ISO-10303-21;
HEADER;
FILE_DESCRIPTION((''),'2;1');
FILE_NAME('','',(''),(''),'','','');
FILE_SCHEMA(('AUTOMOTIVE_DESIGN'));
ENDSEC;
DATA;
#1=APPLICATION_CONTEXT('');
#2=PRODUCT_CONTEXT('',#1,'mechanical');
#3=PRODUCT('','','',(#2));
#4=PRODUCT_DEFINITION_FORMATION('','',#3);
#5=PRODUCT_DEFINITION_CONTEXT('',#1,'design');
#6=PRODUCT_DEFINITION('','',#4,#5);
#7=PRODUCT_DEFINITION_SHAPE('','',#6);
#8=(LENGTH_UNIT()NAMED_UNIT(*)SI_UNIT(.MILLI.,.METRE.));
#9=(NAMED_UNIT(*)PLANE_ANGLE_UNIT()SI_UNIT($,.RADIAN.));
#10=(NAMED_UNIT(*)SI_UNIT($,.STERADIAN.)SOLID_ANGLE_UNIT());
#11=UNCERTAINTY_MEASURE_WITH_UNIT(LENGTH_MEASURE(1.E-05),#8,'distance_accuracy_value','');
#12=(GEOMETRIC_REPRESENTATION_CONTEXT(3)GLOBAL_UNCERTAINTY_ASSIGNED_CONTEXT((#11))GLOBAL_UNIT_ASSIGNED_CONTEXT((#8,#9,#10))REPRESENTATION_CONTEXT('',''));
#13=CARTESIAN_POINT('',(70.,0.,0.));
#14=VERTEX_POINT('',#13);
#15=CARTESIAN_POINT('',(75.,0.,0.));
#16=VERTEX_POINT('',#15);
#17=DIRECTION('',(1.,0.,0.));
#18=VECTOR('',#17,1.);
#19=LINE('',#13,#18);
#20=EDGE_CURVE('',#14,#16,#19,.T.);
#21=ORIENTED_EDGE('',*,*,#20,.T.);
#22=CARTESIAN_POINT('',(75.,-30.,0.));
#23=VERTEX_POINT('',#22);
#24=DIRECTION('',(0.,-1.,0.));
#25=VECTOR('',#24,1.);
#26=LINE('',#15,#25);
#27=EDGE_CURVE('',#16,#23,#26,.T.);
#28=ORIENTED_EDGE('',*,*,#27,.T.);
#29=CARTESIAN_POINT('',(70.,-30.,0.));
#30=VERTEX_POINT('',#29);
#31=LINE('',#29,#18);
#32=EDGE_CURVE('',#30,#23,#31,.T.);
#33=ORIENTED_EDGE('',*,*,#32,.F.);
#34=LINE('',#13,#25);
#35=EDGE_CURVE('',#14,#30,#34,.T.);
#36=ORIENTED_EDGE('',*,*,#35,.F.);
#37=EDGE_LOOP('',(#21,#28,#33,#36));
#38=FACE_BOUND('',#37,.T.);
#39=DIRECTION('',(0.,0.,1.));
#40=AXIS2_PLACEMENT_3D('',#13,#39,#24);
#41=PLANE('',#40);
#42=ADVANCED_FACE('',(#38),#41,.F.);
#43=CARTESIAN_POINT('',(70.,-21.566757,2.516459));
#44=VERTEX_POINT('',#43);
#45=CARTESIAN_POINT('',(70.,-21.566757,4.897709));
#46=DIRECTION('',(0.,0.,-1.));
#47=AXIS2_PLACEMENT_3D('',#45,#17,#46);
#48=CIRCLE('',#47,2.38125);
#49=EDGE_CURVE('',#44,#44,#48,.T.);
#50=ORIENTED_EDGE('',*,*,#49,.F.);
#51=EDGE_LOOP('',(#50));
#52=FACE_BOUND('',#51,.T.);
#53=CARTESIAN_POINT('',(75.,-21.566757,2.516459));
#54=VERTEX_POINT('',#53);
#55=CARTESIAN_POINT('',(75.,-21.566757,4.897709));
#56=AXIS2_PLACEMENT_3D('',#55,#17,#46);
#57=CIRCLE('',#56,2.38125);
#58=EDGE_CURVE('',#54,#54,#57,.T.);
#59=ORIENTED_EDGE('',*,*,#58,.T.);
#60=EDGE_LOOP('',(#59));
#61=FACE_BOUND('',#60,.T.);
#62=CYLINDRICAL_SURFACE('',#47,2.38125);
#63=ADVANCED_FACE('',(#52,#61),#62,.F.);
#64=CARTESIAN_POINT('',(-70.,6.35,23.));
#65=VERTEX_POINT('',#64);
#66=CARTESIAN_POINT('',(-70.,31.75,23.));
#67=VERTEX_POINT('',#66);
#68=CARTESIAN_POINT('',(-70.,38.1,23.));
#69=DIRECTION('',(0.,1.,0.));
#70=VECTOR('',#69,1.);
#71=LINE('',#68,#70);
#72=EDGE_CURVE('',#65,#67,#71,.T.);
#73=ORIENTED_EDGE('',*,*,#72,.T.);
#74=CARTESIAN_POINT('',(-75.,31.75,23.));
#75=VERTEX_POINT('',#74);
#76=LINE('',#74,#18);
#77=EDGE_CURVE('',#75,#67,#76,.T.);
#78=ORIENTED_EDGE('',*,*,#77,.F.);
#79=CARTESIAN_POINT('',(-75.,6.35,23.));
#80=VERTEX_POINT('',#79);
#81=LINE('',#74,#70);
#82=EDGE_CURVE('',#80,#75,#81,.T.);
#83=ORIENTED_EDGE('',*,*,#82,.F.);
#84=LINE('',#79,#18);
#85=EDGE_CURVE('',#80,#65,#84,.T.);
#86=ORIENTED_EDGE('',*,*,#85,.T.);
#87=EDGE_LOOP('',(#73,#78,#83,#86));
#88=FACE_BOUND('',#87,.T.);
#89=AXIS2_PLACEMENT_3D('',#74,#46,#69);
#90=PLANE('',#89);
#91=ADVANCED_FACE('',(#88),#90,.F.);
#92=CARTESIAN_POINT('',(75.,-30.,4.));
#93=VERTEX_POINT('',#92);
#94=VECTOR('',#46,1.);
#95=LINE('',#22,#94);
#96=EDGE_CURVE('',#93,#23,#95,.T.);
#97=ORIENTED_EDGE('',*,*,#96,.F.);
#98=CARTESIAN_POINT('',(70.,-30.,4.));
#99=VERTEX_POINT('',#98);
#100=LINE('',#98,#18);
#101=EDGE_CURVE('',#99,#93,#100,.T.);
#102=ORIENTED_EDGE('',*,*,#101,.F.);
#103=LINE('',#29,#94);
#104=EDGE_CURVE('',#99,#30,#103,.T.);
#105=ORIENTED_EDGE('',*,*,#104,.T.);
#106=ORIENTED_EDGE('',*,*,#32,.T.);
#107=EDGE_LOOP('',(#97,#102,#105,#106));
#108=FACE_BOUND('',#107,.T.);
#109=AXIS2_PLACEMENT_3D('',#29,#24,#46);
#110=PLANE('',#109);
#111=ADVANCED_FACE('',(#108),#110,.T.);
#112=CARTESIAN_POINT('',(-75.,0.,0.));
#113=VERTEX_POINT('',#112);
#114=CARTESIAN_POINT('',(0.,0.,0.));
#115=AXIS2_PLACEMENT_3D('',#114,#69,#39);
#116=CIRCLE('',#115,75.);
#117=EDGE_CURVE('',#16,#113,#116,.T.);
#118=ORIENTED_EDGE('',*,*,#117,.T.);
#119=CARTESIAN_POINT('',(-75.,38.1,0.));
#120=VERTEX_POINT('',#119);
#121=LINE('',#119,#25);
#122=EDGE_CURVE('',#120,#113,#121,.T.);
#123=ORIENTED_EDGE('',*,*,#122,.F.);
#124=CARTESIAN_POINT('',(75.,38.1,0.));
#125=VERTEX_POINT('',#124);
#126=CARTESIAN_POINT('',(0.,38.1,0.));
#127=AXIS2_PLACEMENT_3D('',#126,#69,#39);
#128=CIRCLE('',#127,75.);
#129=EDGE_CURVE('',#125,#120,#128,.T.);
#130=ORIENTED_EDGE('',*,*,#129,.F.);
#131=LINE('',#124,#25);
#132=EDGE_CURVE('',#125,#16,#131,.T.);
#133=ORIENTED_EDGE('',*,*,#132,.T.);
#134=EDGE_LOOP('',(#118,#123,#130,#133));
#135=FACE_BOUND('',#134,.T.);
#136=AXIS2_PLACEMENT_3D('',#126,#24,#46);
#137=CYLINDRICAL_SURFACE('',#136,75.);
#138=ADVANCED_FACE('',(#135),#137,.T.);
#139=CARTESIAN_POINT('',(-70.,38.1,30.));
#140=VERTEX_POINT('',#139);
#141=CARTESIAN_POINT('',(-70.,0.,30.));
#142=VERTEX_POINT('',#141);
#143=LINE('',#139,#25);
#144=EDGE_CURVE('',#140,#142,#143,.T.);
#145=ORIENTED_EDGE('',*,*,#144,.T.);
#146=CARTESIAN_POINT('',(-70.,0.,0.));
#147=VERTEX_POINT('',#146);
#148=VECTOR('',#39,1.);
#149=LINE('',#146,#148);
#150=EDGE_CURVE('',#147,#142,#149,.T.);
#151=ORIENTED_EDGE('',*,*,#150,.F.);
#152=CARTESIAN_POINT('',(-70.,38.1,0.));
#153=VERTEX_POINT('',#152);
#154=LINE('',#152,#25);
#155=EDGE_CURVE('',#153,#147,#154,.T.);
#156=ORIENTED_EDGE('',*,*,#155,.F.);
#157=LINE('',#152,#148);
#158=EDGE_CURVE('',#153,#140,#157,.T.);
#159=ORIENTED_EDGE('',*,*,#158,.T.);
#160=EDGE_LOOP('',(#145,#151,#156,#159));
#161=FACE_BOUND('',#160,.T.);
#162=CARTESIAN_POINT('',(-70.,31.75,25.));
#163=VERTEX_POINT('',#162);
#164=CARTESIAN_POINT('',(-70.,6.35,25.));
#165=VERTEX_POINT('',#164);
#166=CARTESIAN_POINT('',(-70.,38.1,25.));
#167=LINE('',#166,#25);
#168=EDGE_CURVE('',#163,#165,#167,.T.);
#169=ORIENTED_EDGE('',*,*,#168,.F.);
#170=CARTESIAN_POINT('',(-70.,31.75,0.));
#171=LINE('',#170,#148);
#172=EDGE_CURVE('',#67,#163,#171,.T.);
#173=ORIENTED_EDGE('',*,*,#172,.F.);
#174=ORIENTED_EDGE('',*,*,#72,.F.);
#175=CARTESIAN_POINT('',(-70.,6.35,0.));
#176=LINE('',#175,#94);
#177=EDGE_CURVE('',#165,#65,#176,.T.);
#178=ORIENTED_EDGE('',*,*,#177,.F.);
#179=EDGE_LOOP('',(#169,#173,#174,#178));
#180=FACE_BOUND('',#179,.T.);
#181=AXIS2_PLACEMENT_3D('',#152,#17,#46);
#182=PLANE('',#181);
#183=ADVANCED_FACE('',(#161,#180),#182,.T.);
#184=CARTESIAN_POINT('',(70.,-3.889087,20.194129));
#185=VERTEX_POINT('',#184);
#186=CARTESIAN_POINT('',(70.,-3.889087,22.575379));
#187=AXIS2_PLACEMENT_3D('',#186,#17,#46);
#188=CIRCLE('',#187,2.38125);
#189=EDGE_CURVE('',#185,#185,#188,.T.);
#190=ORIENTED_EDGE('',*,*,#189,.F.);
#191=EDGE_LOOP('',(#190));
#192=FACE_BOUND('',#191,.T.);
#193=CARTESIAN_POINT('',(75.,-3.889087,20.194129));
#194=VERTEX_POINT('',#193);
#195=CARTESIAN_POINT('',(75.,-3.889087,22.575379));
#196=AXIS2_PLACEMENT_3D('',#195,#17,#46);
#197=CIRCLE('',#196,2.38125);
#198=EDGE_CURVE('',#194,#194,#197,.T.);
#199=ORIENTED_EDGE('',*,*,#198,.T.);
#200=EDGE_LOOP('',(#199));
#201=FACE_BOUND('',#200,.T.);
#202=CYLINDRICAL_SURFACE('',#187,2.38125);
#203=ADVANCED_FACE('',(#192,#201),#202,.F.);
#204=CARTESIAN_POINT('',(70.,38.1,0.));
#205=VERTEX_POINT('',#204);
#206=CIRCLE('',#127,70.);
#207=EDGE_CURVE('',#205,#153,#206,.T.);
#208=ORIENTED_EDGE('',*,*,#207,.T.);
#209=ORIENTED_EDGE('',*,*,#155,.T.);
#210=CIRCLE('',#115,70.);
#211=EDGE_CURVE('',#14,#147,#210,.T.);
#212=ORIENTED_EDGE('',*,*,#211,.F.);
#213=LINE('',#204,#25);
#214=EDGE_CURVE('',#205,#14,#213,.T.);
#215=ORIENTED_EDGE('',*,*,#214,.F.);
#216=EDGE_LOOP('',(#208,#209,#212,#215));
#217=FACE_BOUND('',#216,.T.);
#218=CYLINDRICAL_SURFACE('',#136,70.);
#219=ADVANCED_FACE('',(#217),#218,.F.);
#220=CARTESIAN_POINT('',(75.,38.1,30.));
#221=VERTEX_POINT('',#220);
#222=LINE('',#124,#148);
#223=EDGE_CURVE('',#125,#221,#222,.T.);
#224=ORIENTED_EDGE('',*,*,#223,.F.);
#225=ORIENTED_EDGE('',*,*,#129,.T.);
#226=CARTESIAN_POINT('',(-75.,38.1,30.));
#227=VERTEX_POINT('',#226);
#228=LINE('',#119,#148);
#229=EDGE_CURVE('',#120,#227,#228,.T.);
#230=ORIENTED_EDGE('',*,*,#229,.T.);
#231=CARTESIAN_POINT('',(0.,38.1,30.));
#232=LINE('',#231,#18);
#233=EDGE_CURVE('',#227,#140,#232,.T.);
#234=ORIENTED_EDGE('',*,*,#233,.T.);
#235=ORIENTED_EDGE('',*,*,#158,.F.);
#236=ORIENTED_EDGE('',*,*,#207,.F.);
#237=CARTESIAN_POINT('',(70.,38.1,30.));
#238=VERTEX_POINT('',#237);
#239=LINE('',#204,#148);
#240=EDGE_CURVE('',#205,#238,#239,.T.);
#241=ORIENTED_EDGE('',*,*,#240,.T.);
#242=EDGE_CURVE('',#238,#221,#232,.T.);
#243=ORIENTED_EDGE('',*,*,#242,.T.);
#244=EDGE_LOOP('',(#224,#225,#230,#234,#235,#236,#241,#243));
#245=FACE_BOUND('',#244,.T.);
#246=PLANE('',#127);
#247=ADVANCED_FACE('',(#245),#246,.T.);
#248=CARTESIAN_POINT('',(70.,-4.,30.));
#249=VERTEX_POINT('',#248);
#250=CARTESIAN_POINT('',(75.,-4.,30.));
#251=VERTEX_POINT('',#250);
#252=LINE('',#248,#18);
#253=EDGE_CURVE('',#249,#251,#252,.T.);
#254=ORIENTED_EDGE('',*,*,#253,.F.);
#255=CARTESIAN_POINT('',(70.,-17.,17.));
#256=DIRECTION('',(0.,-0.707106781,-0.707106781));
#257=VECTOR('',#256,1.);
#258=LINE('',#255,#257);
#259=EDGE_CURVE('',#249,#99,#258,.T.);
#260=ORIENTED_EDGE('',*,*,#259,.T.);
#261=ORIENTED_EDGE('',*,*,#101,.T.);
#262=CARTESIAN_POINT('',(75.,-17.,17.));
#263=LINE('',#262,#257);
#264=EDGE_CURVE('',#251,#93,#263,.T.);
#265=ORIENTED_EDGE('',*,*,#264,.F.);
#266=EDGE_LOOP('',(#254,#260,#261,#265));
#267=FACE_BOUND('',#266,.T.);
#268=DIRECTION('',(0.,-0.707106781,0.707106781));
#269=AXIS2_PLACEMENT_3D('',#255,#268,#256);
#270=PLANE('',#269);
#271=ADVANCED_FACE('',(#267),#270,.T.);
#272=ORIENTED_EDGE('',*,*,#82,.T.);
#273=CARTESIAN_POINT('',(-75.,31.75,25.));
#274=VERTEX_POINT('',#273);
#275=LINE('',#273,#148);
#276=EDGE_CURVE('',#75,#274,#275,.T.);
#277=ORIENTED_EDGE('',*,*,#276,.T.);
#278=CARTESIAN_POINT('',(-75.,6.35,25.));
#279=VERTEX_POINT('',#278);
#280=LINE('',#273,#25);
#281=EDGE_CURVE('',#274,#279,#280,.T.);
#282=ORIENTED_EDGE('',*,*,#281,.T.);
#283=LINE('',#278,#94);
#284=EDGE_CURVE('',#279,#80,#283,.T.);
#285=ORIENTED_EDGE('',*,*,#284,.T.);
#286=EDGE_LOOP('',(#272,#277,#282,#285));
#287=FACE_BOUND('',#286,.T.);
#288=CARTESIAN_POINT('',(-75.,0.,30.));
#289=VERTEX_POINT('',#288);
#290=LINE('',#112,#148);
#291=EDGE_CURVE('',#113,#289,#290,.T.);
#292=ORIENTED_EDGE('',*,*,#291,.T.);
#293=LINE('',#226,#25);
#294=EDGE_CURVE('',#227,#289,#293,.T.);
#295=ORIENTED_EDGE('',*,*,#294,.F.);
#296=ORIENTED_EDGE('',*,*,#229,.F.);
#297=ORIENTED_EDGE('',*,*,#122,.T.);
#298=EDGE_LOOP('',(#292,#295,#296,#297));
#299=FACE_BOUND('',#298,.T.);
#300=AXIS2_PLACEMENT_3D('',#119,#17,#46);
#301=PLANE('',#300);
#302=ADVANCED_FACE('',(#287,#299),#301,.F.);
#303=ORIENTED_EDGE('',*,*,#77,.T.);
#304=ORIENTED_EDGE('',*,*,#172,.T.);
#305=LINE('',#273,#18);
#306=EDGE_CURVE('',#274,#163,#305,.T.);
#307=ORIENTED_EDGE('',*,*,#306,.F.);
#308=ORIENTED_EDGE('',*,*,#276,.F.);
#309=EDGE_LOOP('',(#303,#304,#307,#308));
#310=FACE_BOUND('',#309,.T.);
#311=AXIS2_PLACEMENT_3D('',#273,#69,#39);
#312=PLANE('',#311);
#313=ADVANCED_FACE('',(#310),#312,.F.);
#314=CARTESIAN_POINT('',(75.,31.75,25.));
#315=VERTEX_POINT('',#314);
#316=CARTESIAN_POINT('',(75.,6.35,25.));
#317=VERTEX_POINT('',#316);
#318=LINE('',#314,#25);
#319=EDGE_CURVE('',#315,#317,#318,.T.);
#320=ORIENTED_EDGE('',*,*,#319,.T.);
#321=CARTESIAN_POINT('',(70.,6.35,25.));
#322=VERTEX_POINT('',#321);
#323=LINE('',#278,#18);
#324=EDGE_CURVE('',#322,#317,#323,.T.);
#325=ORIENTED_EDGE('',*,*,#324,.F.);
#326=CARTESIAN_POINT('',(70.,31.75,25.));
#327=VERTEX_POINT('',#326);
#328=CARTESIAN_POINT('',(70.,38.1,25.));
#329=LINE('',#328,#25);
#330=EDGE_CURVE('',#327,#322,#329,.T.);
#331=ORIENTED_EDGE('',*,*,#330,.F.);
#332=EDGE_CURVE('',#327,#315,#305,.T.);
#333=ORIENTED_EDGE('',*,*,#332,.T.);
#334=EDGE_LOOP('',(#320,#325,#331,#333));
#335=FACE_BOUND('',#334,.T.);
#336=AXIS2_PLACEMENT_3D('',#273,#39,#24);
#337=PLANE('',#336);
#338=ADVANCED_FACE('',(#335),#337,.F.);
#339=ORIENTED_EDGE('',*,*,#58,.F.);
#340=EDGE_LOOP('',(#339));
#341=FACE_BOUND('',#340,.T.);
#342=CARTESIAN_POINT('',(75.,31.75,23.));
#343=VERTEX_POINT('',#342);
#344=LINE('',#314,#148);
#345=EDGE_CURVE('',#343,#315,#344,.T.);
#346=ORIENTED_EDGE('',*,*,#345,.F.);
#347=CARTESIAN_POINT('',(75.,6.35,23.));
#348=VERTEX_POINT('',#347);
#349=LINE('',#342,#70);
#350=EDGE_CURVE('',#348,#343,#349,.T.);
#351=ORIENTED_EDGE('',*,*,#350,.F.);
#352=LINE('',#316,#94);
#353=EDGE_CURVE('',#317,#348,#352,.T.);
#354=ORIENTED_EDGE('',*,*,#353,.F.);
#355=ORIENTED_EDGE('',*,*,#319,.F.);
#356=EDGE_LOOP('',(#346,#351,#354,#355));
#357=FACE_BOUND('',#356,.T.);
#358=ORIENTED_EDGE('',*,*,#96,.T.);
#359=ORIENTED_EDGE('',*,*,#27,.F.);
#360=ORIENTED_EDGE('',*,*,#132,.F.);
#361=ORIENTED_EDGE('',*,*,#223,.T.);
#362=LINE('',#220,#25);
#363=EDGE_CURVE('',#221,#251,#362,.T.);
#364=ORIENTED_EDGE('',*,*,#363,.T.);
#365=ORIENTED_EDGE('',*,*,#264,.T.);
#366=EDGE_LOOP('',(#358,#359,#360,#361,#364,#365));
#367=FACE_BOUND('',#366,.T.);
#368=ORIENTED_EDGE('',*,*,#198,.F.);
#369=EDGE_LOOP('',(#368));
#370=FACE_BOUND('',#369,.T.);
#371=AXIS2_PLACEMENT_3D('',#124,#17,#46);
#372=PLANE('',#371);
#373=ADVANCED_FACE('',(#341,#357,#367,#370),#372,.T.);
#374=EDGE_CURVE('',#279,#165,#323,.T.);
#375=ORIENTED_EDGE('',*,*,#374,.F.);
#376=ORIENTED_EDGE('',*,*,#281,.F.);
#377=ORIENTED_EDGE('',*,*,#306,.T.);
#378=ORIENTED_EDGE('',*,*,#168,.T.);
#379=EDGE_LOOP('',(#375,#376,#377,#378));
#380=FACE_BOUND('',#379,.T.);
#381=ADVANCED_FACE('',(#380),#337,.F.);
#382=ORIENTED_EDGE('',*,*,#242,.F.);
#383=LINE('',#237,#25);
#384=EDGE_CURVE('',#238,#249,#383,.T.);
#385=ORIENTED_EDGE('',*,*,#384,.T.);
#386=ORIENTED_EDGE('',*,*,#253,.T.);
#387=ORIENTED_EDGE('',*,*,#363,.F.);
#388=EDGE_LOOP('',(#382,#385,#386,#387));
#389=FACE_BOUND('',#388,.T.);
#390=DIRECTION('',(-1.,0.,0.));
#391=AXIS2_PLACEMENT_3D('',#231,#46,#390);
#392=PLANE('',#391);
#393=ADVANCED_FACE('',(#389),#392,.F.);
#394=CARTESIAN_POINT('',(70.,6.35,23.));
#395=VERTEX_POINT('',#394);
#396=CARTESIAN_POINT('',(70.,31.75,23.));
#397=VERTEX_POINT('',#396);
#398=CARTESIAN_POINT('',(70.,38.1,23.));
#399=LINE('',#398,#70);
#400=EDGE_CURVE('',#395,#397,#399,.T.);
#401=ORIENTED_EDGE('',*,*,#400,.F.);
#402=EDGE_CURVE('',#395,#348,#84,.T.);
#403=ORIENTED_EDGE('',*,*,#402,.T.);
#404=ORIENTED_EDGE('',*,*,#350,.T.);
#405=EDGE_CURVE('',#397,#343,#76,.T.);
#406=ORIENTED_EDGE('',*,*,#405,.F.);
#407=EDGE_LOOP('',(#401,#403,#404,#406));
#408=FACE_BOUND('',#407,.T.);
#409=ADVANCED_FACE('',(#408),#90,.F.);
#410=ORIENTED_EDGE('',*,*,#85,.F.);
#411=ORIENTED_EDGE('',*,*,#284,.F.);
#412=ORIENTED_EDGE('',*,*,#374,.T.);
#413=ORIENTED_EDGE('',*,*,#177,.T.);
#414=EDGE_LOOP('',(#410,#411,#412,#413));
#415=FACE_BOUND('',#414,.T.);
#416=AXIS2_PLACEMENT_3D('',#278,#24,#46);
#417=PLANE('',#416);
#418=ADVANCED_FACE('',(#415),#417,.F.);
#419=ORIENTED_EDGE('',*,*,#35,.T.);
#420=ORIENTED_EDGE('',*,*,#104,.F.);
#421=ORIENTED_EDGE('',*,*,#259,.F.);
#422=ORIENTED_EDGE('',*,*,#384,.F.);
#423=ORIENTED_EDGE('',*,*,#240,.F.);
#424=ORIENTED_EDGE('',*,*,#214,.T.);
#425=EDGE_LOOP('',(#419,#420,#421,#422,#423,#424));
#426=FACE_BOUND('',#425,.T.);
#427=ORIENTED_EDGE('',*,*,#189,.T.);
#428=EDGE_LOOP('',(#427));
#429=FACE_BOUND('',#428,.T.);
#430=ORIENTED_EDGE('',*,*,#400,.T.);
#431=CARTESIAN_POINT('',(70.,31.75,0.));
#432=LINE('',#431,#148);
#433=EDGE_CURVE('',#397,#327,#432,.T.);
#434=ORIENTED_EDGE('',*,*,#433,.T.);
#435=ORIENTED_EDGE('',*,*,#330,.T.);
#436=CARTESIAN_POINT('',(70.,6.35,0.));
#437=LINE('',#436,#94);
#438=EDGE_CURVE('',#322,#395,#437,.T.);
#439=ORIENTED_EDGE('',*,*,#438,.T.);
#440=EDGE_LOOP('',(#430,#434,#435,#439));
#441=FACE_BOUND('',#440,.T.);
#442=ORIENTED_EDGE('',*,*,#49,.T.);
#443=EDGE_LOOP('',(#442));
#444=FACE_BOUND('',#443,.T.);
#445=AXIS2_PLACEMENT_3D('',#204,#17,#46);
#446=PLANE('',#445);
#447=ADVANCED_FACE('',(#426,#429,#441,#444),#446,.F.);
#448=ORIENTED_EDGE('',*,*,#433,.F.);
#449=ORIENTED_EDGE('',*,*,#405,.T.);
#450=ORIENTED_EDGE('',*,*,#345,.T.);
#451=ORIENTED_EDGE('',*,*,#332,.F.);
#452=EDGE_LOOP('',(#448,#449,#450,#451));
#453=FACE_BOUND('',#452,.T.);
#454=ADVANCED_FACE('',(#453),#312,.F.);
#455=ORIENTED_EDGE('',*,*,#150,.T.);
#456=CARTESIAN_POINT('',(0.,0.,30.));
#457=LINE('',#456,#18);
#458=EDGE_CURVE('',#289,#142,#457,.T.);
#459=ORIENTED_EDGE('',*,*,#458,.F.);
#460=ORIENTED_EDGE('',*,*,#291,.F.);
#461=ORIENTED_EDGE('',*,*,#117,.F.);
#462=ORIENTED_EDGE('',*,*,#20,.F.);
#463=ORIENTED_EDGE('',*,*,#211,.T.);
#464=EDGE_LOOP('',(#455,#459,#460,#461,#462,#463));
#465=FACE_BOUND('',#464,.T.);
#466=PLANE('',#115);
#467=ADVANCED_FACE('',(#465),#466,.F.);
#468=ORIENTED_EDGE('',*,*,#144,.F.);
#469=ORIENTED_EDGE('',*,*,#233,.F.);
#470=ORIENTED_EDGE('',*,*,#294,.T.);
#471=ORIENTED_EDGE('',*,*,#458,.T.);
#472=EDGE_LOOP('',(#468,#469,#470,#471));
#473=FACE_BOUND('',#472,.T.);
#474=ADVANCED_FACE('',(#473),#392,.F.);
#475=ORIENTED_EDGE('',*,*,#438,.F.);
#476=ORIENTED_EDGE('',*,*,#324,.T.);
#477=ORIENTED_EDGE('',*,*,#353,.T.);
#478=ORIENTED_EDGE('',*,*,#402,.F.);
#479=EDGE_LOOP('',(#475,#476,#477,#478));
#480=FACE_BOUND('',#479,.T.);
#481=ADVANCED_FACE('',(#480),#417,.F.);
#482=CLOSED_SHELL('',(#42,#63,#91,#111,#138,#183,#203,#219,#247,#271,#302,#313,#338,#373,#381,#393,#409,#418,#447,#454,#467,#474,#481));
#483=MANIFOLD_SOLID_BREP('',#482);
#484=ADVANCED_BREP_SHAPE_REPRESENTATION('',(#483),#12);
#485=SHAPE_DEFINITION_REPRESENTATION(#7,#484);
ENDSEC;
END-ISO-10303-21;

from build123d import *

# Parameters (mm, degrees)
SKETCH1_W           = 5
SKETCH1_H           = 30
BOSS_EXTRUDE1_DEPTH = 38.1
SKETCH2_W           = 2
SKETCH2_H           = 25.4
CUT_EXTRUDE1_DEPTH  = 151
BOSS_EXTRUDE2_DEPTH = 5


with BuildPart() as part:
    # Sketch1 → Boss-Extrude1 (new body)
    with BuildSketch(Plane(origin=(0, 0, 0), x_dir=(1, 0, 0), z_dir=(0, 1, 0))):
        with Locations((-72.5, -15)):
            Rectangle(SKETCH1_W, SKETCH1_H)
        with BuildLine():
            ThreePointArc((75, 0), (0, 75), (-75, 0))
            Line((-75, 0), (-70, 0))
            ThreePointArc((-70, 0), (0, 70), (70, 0))
            Line((70, 0), (75, 0))
        make_face()
        with Locations((72.5, -15)):
            Rectangle(SKETCH1_W, SKETCH1_H)
    extrude(amount=BOSS_EXTRUDE1_DEPTH)

    # Sketch2 → Cut-Extrude1 (cut, through all)
    with BuildSketch(Plane(origin=(75, 0, 0), x_dir=(0, 0, -1), z_dir=(1, 0, 0))):
        with Locations((-24, 19.05)):
            Rectangle(SKETCH2_W, SKETCH2_H)
    extrude(amount=-CUT_EXTRUDE1_DEPTH, mode=Mode.SUBTRACT)

    # Sketch3 → Boss-Extrude2 (add)
    with BuildSketch(Plane(origin=(75, 0, 0), x_dir=(0, 0, -1), z_dir=(1, 0, 0))):
        Polygon((0, -30), (-30, 0), (-30, -4), (-4, -30), align=None)
        with BuildLine():
            Line((-26.464466094, 0), (-30, 0))
            Line((-30, 0), (0, -30))
            Line((0, -30), (0, -26.464466094))
            Line((0, -26.464466094), (-3.213911245, -23.250554849))
            ThreePointArc((-3.213911245, -23.250554849), (-6.581507291, -23.250554849), (-6.581507291, -19.882958803))
            Line((-6.581507291, -19.882958803), (-20.891580775, -5.572885319))
            ThreePointArc((-20.891580775, -5.572885319), (-24.25917682, -5.572885319), (-24.25917682, -2.205289274))
            Line((-24.25917682, -2.205289274), (-26.464466094, 0))
        make_face()
        with BuildLine():
            Line((-22.928932188, 0), (-26.464466094, 0))
            Line((-26.464466094, 0), (-24.25917682, -2.205289274))
            ThreePointArc((-24.25917682, -2.205289274), (-21.664113874, -1.68909916), (-20.194128798, -3.889087297))
            ThreePointArc((-20.194128798, -3.889087297), (-20.375390661, -4.80035222), (-20.891580775, -5.572885319))
            Line((-20.891580775, -5.572885319), (-6.581507291, -19.882958803))
            ThreePointArc((-6.581507291, -19.882958803), (-3.986444345, -19.366768689), (-2.516459268, -21.566756826))
            ThreePointArc((-2.516459268, -21.566756826), (-2.697721131, -22.47802175), (-3.213911245, -23.250554849))
            Line((-3.213911245, -23.250554849), (0, -26.464466094))
            Line((0, -26.464466094), (0, -22.928932188))
            Line((0, -22.928932188), (-22.928932188, 0))
        make_face()
        Polygon((0, 0), (-22.928932188, 0), (0, -22.928932188), align=None)
    extrude(amount=-BOSS_EXTRUDE2_DEPTH)


solid = part.part
